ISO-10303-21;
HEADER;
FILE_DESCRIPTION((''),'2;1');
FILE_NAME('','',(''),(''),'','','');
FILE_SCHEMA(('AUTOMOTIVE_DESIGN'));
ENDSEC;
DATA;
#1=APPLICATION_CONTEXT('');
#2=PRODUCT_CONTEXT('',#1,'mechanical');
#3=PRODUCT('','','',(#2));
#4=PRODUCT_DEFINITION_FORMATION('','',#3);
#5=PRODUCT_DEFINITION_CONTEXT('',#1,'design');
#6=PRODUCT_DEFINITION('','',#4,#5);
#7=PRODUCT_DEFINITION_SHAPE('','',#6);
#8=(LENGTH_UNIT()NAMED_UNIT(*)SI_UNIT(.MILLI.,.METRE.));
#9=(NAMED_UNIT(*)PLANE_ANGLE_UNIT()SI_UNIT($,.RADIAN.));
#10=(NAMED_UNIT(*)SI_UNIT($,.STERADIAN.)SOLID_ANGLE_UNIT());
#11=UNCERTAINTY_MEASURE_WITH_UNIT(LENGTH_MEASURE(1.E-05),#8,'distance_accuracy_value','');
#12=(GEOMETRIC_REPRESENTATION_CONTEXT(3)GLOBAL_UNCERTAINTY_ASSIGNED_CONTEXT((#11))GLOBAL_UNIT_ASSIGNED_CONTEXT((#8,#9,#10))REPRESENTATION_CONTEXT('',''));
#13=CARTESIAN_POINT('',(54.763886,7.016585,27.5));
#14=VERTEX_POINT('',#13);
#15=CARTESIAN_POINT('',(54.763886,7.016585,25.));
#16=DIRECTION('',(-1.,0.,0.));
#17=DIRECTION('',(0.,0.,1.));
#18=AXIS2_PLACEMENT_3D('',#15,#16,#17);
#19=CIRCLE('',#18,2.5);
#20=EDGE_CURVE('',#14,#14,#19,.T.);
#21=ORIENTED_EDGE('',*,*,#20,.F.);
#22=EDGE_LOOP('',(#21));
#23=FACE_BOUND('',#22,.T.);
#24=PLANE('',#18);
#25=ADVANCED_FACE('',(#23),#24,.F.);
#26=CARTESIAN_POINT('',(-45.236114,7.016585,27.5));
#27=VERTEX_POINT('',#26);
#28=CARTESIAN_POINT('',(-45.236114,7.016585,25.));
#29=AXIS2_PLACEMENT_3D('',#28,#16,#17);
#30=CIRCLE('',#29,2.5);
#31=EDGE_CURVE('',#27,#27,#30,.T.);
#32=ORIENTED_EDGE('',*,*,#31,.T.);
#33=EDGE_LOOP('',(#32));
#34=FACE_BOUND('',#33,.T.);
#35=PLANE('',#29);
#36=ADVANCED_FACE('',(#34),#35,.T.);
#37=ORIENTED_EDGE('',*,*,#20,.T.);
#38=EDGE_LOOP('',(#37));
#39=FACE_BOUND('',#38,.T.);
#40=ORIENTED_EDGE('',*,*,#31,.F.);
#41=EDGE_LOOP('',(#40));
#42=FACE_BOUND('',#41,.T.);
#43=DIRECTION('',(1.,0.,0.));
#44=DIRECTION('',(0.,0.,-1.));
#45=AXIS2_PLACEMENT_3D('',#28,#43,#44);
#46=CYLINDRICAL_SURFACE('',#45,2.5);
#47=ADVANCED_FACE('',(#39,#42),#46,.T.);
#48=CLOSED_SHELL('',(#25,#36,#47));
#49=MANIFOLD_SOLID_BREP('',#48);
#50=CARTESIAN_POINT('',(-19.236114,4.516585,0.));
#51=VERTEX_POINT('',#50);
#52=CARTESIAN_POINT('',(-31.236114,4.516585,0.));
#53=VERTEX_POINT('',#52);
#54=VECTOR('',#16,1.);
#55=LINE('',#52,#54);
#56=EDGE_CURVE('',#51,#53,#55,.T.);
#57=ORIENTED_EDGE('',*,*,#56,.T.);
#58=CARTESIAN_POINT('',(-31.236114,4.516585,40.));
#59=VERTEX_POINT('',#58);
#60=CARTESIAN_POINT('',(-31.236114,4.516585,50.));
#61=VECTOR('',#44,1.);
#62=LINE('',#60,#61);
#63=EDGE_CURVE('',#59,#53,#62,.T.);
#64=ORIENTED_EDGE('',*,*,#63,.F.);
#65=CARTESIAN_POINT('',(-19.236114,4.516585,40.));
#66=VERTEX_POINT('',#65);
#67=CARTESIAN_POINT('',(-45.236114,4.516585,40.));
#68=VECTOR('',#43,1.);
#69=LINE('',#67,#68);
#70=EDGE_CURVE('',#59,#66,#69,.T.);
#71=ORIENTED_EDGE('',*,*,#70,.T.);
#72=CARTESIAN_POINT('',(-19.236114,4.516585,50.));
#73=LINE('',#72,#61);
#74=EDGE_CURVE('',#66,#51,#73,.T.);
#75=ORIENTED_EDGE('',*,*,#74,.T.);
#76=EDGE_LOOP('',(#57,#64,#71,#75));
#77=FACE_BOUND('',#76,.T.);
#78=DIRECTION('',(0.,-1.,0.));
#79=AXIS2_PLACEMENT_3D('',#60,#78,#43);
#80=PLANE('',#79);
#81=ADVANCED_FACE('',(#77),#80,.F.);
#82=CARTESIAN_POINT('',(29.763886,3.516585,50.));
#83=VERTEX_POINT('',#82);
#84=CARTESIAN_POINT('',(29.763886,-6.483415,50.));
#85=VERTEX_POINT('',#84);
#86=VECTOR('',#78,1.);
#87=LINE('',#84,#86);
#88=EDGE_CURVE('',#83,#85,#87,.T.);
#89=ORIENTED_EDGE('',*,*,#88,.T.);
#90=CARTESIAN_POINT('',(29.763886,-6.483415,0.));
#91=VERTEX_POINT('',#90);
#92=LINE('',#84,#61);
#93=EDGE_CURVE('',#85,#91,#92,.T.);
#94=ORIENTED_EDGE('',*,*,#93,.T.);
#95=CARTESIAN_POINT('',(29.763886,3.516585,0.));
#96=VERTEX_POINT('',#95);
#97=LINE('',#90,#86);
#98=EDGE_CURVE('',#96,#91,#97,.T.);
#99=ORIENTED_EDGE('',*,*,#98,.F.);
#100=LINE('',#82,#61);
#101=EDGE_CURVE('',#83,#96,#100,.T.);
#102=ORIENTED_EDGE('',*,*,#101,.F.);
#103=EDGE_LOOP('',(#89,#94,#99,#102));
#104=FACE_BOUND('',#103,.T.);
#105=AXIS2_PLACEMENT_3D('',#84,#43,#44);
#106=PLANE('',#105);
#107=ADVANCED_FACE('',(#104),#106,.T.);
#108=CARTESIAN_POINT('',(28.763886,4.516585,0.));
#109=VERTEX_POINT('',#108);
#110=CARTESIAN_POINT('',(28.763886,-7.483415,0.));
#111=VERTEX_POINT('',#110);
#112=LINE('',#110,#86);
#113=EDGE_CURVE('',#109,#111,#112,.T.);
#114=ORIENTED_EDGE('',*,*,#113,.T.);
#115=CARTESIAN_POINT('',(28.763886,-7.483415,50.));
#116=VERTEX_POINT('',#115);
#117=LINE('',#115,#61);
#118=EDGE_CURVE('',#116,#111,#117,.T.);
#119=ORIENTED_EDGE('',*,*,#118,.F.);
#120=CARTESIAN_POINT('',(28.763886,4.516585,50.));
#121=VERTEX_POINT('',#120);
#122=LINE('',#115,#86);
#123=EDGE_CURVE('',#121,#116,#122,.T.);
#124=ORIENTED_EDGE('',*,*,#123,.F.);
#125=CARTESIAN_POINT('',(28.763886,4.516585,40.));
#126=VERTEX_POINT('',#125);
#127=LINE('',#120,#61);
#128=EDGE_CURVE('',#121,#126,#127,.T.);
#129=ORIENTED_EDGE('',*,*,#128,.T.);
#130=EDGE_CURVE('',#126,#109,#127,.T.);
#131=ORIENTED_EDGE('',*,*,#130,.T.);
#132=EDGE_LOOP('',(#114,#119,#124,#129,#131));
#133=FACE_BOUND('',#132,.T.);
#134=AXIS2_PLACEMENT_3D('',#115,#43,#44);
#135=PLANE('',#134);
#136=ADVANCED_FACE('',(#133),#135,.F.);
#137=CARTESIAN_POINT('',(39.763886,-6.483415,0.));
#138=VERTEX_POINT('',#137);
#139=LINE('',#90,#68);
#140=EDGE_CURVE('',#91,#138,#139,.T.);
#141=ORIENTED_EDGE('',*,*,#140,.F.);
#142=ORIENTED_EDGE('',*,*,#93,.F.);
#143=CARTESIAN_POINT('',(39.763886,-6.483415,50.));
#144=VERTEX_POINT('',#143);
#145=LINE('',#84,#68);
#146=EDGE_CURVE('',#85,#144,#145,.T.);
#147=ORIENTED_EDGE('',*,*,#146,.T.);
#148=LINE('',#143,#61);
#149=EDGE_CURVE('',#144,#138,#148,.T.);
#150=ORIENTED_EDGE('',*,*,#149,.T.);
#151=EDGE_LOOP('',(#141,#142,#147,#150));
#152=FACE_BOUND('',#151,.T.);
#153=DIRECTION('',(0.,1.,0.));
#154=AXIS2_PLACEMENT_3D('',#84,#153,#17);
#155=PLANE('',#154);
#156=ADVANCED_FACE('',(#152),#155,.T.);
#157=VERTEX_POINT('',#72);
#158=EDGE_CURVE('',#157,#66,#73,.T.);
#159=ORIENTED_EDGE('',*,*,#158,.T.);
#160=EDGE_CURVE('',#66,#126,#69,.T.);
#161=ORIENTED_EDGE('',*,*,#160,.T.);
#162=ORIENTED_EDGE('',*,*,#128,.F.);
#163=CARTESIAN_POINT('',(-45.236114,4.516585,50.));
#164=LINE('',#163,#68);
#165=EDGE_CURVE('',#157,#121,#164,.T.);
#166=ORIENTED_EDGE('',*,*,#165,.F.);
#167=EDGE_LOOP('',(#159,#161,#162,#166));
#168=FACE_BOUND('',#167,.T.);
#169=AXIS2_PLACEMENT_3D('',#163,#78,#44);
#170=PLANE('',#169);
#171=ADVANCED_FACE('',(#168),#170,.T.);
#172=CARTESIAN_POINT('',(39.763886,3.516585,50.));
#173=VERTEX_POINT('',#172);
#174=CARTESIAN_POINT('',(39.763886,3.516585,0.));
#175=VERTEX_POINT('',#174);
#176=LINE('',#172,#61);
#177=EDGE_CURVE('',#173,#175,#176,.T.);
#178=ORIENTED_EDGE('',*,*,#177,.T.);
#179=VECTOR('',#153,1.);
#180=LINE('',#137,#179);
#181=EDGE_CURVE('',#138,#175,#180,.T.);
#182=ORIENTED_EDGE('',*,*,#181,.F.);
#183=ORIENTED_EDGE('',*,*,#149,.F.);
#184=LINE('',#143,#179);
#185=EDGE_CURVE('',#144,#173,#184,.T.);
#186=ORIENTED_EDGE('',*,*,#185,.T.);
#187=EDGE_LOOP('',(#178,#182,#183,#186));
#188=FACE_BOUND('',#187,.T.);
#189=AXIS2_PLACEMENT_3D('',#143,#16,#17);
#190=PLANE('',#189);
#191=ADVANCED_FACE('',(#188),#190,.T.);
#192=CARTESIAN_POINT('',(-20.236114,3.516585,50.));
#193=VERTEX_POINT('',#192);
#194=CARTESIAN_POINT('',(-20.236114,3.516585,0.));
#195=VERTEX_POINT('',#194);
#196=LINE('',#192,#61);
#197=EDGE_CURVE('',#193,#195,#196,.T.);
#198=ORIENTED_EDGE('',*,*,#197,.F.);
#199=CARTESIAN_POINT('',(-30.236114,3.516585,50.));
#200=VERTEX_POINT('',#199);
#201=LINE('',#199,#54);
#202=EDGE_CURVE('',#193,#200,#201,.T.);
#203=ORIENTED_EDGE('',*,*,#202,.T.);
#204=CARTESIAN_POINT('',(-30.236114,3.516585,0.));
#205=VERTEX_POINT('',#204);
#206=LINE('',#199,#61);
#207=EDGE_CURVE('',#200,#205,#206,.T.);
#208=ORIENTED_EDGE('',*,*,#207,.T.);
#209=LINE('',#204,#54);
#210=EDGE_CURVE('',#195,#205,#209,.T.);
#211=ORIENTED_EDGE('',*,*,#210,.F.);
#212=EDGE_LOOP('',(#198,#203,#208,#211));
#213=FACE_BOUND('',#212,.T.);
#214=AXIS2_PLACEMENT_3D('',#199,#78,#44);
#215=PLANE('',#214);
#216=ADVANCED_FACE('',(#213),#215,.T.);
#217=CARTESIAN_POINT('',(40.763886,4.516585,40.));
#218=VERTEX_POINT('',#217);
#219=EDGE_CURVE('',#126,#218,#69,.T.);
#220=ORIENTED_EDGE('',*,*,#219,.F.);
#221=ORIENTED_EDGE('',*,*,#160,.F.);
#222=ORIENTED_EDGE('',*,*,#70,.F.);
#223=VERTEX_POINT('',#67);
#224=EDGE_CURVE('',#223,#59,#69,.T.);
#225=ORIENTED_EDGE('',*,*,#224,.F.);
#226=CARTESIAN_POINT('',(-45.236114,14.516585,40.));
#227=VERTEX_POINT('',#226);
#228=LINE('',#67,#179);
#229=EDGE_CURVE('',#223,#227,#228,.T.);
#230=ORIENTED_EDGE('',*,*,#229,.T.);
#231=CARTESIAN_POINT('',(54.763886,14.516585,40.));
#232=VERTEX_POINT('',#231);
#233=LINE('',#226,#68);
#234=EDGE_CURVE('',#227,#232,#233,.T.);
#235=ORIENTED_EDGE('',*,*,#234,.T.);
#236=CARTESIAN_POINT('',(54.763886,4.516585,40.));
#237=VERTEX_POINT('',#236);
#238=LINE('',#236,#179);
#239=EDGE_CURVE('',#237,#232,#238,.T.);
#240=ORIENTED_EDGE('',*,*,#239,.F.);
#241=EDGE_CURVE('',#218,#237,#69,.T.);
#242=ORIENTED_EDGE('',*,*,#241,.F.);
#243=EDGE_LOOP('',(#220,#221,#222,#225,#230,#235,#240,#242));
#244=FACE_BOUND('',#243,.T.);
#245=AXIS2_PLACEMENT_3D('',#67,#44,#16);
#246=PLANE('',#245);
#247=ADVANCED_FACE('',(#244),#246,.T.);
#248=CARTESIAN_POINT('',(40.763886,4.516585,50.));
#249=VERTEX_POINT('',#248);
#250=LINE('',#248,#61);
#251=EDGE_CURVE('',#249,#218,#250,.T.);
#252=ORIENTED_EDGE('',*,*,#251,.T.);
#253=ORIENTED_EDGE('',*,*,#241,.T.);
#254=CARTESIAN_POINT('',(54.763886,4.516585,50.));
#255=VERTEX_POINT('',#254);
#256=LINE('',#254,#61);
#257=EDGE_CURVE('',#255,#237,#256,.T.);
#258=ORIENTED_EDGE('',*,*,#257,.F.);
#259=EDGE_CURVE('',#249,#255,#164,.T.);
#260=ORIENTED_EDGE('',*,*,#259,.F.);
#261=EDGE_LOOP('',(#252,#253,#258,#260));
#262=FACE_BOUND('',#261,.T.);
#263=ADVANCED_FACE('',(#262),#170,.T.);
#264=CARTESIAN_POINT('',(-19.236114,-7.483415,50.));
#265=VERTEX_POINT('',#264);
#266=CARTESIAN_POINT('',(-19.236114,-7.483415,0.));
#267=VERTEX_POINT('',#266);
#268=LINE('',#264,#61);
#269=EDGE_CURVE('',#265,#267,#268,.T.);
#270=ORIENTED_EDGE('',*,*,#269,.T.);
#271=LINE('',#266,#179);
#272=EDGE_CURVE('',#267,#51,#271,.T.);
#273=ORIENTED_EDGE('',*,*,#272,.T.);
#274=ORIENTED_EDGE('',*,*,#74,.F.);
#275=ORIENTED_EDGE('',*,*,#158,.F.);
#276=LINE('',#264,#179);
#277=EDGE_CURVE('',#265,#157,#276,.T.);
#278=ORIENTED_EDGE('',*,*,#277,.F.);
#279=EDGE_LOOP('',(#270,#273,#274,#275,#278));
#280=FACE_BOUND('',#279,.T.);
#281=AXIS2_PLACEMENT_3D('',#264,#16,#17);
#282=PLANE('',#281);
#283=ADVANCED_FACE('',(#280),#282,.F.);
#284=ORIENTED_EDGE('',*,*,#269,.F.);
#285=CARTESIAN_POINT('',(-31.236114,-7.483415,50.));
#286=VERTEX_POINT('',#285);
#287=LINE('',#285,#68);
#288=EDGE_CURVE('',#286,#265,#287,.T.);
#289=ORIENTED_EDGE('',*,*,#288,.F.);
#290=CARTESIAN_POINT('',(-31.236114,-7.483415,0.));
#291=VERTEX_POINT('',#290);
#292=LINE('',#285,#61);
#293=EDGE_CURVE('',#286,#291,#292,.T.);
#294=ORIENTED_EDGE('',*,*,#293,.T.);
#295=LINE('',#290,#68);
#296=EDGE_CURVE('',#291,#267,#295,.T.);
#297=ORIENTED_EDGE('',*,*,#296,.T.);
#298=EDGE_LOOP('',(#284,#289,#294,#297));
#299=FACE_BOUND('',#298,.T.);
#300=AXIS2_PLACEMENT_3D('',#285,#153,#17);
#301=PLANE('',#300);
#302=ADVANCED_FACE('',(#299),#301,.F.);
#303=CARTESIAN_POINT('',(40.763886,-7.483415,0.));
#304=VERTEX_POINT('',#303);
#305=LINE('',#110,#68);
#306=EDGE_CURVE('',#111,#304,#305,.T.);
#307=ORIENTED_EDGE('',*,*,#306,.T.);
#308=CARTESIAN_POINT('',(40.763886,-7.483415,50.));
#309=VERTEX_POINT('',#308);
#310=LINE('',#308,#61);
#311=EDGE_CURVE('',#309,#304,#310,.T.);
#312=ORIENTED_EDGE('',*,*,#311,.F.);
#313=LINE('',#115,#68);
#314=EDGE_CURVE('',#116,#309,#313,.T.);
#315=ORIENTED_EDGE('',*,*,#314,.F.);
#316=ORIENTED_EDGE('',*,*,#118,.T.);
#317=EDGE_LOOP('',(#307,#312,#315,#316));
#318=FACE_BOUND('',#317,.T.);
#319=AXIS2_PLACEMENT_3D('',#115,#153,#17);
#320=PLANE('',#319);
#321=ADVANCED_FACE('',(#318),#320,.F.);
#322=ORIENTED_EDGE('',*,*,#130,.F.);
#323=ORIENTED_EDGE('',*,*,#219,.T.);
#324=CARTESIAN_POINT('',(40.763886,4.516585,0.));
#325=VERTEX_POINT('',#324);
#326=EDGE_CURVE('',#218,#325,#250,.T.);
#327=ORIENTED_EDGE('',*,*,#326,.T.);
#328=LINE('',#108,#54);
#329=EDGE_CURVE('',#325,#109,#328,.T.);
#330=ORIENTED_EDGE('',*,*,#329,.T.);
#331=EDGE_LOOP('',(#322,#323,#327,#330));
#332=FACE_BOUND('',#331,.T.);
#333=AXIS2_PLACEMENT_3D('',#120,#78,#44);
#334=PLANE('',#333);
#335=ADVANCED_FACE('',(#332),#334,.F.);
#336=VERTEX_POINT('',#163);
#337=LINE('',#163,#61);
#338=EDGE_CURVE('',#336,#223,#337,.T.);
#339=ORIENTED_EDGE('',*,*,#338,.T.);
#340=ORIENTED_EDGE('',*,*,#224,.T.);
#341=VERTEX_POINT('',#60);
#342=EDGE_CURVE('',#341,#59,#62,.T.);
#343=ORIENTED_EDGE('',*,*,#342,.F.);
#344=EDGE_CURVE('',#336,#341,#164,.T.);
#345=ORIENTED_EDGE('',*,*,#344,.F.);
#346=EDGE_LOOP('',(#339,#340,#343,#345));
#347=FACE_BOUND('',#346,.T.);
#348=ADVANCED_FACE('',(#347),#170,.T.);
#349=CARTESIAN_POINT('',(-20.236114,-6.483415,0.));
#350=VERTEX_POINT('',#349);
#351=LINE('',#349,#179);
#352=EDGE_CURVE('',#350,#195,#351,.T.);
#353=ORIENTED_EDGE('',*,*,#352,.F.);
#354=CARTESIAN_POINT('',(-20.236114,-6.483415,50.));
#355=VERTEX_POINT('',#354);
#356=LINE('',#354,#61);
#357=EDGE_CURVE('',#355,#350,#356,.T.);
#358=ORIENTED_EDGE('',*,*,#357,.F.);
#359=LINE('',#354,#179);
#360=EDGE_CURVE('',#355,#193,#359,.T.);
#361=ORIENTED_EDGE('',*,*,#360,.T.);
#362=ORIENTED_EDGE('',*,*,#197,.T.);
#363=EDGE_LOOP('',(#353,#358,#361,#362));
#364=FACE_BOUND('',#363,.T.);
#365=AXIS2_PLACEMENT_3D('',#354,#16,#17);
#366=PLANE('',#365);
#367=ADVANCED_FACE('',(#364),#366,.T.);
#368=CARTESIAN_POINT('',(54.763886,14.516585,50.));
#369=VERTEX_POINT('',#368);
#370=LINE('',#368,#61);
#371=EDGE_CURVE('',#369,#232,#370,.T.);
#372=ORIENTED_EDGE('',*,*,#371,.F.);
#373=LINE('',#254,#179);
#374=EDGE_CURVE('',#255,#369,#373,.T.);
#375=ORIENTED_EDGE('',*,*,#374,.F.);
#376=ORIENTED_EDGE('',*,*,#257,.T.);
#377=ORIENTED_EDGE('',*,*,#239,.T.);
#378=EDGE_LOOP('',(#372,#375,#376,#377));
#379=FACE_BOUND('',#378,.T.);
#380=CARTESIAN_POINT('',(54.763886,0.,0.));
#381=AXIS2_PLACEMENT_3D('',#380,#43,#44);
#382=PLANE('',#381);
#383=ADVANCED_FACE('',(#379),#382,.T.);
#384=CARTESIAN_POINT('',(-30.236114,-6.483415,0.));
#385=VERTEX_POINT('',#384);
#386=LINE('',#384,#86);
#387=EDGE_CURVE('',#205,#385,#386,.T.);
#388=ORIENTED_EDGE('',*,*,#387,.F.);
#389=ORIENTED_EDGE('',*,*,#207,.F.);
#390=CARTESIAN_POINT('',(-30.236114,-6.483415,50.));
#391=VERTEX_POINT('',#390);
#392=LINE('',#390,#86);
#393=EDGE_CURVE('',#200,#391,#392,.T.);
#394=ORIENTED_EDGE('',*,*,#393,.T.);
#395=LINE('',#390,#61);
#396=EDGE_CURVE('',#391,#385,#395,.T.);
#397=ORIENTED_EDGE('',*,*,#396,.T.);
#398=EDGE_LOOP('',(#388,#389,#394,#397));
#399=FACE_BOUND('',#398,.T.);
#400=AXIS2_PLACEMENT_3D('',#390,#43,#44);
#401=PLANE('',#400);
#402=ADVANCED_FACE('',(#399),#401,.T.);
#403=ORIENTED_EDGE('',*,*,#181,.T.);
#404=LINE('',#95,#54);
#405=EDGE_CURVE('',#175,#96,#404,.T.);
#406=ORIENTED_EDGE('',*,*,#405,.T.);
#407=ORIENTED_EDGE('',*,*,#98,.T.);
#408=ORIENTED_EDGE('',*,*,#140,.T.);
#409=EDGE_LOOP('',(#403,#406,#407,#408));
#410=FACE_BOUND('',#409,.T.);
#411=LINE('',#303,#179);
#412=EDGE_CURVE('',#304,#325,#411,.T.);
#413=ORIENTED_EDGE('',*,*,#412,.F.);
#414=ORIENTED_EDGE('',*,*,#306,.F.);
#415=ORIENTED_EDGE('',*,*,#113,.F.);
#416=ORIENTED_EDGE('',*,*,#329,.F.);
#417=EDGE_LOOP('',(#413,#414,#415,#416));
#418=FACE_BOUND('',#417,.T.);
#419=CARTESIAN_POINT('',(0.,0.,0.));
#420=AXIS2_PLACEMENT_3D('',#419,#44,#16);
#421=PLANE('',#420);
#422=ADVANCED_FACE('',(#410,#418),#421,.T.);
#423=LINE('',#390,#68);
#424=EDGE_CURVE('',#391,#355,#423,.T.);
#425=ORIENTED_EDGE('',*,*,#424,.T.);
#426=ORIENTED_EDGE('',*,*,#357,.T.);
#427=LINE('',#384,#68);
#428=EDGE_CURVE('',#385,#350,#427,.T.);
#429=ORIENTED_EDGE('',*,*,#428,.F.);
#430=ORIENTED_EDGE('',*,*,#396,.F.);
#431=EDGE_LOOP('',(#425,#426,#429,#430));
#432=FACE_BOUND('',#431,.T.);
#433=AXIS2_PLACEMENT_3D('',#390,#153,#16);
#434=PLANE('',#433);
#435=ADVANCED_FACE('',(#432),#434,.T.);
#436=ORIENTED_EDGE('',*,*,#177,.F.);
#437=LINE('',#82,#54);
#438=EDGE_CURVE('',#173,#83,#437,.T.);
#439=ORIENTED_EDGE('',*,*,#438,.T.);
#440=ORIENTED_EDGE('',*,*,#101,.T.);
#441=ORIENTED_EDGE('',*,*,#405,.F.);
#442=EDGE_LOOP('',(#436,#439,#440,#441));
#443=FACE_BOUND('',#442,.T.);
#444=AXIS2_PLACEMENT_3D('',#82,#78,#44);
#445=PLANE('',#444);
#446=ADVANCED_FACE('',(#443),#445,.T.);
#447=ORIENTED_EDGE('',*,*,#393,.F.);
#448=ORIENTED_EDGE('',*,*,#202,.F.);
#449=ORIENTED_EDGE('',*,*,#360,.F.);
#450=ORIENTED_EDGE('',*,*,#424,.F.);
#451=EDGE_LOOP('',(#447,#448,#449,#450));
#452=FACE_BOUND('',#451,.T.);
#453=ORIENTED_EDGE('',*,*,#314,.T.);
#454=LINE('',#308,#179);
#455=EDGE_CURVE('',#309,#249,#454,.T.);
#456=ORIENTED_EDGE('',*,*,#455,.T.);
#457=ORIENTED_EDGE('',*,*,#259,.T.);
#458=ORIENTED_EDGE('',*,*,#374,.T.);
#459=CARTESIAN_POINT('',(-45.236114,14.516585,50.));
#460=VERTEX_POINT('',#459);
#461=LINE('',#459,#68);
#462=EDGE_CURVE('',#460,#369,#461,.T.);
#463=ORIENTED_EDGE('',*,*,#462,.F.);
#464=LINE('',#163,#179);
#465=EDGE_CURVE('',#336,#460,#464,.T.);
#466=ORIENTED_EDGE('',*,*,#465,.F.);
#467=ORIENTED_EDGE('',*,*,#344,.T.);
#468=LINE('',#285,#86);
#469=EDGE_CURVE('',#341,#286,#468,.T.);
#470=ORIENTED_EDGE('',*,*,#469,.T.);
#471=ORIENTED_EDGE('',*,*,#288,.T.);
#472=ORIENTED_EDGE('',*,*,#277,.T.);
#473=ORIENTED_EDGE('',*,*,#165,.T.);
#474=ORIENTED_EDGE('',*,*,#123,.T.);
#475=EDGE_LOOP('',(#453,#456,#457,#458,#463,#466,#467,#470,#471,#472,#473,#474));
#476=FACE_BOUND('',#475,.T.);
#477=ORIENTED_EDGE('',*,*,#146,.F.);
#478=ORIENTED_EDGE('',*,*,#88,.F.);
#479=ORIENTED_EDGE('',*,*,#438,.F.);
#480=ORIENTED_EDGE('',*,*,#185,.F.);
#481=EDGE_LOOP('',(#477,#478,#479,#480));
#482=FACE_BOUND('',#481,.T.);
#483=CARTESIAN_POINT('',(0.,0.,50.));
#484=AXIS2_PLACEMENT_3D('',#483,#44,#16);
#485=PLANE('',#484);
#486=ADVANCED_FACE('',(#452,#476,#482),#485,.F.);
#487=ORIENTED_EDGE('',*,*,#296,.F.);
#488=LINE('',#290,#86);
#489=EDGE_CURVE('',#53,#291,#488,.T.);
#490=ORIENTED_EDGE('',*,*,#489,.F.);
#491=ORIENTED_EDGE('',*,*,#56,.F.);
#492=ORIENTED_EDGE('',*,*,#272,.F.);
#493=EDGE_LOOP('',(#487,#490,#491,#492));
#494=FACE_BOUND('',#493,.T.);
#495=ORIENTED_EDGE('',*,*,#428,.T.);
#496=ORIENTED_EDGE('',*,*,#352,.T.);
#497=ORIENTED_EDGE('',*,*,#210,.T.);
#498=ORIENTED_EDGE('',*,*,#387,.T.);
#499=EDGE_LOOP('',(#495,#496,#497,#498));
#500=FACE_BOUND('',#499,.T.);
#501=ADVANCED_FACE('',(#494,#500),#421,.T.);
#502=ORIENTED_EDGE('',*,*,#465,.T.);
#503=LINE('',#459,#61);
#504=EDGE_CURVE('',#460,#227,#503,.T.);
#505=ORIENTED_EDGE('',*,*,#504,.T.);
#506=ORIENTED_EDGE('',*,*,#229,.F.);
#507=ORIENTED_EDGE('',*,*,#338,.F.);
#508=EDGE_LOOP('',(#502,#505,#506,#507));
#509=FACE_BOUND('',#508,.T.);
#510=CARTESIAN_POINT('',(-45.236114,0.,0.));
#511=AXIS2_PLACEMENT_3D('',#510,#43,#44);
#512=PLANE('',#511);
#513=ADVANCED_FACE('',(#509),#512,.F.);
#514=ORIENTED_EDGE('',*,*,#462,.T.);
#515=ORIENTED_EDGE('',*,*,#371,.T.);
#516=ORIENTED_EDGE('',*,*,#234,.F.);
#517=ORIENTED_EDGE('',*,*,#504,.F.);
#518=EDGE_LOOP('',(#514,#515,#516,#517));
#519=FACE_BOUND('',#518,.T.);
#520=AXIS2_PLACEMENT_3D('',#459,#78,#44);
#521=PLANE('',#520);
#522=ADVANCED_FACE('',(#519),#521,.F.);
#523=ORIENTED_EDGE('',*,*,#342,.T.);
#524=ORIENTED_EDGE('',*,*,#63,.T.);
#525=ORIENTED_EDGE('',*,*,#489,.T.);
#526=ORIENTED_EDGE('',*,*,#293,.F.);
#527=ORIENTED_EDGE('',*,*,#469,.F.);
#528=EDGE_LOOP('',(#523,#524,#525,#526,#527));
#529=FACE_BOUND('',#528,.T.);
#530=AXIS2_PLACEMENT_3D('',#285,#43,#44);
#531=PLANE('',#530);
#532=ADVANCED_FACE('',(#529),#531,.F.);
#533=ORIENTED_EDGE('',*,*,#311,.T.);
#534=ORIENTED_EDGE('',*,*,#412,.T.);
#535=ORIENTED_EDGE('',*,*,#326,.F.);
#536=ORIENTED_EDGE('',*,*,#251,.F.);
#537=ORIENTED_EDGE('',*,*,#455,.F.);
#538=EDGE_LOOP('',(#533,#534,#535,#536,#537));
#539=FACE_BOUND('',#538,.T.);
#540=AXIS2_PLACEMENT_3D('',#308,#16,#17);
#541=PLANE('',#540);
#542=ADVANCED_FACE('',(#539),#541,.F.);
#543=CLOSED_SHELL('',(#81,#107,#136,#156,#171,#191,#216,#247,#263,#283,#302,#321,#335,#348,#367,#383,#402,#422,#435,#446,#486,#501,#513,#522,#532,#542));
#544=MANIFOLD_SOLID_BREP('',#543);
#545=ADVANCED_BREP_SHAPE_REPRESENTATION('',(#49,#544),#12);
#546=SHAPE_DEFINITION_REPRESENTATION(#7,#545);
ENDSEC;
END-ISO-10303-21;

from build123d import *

# Parameters (mm, degrees)
SKETCH1_W             = 12
SKETCH1_H             = 12
SKETCH1_W_2           = 10
SKETCH1_H_2           = 10
BOSS_EXTRUDE1_DEPTH   = 50
BOSS_EXTRUDE1_2_DEPTH = 50
SKETCH2_R             = 2.5
SKETCH2_W             = 10
SKETCH2_H             = 10
BOSS_EXTRUDE2_DEPTH   = 50


with BuildPart() as part:
    # Sketch1 → Boss-Extrude1 (new body)
    with BuildSketch(Plane.XY):
        with Locations((-25.236114275, -1.483415253)):
            Rectangle(SKETCH1_W, SKETCH1_H)
        with Locations((-25.236114275, -1.483415253)):
            Rectangle(SKETCH1_W_2, SKETCH1_H_2, mode=Mode.SUBTRACT)
    extrude(amount=BOSS_EXTRUDE1_DEPTH)



with BuildPart() as body_2:
    # Sketch1 → Boss-Extrude1 2 (new body)
    with BuildSketch(Plane.XY):
        with Locations((34.763885725, -1.483415253)):
            Rectangle(SKETCH1_W, SKETCH1_H)
        with Locations((34.763885725, -1.483415253)):
            Rectangle(SKETCH1_W_2, SKETCH1_H_2, mode=Mode.SUBTRACT)
    extrude(amount=BOSS_EXTRUDE1_2_DEPTH)


with BuildPart() as part_1:
    add(part.part)

    add(body_2.part)  # Boss-Extrude2 merges body 2
    # Sketch2 → Boss-Extrude2 (add, symmetric)
    with BuildSketch(Plane.ZY.offset(-4.763885725)):
        with Locations((25, 7.016584747)):
            Circle(SKETCH2_R)
        with Locations((45, 9.516584747)):
            Rectangle(SKETCH2_W, SKETCH2_H)
    extrude(amount=BOSS_EXTRUDE2_DEPTH, both=True)


solid = part_1.part
